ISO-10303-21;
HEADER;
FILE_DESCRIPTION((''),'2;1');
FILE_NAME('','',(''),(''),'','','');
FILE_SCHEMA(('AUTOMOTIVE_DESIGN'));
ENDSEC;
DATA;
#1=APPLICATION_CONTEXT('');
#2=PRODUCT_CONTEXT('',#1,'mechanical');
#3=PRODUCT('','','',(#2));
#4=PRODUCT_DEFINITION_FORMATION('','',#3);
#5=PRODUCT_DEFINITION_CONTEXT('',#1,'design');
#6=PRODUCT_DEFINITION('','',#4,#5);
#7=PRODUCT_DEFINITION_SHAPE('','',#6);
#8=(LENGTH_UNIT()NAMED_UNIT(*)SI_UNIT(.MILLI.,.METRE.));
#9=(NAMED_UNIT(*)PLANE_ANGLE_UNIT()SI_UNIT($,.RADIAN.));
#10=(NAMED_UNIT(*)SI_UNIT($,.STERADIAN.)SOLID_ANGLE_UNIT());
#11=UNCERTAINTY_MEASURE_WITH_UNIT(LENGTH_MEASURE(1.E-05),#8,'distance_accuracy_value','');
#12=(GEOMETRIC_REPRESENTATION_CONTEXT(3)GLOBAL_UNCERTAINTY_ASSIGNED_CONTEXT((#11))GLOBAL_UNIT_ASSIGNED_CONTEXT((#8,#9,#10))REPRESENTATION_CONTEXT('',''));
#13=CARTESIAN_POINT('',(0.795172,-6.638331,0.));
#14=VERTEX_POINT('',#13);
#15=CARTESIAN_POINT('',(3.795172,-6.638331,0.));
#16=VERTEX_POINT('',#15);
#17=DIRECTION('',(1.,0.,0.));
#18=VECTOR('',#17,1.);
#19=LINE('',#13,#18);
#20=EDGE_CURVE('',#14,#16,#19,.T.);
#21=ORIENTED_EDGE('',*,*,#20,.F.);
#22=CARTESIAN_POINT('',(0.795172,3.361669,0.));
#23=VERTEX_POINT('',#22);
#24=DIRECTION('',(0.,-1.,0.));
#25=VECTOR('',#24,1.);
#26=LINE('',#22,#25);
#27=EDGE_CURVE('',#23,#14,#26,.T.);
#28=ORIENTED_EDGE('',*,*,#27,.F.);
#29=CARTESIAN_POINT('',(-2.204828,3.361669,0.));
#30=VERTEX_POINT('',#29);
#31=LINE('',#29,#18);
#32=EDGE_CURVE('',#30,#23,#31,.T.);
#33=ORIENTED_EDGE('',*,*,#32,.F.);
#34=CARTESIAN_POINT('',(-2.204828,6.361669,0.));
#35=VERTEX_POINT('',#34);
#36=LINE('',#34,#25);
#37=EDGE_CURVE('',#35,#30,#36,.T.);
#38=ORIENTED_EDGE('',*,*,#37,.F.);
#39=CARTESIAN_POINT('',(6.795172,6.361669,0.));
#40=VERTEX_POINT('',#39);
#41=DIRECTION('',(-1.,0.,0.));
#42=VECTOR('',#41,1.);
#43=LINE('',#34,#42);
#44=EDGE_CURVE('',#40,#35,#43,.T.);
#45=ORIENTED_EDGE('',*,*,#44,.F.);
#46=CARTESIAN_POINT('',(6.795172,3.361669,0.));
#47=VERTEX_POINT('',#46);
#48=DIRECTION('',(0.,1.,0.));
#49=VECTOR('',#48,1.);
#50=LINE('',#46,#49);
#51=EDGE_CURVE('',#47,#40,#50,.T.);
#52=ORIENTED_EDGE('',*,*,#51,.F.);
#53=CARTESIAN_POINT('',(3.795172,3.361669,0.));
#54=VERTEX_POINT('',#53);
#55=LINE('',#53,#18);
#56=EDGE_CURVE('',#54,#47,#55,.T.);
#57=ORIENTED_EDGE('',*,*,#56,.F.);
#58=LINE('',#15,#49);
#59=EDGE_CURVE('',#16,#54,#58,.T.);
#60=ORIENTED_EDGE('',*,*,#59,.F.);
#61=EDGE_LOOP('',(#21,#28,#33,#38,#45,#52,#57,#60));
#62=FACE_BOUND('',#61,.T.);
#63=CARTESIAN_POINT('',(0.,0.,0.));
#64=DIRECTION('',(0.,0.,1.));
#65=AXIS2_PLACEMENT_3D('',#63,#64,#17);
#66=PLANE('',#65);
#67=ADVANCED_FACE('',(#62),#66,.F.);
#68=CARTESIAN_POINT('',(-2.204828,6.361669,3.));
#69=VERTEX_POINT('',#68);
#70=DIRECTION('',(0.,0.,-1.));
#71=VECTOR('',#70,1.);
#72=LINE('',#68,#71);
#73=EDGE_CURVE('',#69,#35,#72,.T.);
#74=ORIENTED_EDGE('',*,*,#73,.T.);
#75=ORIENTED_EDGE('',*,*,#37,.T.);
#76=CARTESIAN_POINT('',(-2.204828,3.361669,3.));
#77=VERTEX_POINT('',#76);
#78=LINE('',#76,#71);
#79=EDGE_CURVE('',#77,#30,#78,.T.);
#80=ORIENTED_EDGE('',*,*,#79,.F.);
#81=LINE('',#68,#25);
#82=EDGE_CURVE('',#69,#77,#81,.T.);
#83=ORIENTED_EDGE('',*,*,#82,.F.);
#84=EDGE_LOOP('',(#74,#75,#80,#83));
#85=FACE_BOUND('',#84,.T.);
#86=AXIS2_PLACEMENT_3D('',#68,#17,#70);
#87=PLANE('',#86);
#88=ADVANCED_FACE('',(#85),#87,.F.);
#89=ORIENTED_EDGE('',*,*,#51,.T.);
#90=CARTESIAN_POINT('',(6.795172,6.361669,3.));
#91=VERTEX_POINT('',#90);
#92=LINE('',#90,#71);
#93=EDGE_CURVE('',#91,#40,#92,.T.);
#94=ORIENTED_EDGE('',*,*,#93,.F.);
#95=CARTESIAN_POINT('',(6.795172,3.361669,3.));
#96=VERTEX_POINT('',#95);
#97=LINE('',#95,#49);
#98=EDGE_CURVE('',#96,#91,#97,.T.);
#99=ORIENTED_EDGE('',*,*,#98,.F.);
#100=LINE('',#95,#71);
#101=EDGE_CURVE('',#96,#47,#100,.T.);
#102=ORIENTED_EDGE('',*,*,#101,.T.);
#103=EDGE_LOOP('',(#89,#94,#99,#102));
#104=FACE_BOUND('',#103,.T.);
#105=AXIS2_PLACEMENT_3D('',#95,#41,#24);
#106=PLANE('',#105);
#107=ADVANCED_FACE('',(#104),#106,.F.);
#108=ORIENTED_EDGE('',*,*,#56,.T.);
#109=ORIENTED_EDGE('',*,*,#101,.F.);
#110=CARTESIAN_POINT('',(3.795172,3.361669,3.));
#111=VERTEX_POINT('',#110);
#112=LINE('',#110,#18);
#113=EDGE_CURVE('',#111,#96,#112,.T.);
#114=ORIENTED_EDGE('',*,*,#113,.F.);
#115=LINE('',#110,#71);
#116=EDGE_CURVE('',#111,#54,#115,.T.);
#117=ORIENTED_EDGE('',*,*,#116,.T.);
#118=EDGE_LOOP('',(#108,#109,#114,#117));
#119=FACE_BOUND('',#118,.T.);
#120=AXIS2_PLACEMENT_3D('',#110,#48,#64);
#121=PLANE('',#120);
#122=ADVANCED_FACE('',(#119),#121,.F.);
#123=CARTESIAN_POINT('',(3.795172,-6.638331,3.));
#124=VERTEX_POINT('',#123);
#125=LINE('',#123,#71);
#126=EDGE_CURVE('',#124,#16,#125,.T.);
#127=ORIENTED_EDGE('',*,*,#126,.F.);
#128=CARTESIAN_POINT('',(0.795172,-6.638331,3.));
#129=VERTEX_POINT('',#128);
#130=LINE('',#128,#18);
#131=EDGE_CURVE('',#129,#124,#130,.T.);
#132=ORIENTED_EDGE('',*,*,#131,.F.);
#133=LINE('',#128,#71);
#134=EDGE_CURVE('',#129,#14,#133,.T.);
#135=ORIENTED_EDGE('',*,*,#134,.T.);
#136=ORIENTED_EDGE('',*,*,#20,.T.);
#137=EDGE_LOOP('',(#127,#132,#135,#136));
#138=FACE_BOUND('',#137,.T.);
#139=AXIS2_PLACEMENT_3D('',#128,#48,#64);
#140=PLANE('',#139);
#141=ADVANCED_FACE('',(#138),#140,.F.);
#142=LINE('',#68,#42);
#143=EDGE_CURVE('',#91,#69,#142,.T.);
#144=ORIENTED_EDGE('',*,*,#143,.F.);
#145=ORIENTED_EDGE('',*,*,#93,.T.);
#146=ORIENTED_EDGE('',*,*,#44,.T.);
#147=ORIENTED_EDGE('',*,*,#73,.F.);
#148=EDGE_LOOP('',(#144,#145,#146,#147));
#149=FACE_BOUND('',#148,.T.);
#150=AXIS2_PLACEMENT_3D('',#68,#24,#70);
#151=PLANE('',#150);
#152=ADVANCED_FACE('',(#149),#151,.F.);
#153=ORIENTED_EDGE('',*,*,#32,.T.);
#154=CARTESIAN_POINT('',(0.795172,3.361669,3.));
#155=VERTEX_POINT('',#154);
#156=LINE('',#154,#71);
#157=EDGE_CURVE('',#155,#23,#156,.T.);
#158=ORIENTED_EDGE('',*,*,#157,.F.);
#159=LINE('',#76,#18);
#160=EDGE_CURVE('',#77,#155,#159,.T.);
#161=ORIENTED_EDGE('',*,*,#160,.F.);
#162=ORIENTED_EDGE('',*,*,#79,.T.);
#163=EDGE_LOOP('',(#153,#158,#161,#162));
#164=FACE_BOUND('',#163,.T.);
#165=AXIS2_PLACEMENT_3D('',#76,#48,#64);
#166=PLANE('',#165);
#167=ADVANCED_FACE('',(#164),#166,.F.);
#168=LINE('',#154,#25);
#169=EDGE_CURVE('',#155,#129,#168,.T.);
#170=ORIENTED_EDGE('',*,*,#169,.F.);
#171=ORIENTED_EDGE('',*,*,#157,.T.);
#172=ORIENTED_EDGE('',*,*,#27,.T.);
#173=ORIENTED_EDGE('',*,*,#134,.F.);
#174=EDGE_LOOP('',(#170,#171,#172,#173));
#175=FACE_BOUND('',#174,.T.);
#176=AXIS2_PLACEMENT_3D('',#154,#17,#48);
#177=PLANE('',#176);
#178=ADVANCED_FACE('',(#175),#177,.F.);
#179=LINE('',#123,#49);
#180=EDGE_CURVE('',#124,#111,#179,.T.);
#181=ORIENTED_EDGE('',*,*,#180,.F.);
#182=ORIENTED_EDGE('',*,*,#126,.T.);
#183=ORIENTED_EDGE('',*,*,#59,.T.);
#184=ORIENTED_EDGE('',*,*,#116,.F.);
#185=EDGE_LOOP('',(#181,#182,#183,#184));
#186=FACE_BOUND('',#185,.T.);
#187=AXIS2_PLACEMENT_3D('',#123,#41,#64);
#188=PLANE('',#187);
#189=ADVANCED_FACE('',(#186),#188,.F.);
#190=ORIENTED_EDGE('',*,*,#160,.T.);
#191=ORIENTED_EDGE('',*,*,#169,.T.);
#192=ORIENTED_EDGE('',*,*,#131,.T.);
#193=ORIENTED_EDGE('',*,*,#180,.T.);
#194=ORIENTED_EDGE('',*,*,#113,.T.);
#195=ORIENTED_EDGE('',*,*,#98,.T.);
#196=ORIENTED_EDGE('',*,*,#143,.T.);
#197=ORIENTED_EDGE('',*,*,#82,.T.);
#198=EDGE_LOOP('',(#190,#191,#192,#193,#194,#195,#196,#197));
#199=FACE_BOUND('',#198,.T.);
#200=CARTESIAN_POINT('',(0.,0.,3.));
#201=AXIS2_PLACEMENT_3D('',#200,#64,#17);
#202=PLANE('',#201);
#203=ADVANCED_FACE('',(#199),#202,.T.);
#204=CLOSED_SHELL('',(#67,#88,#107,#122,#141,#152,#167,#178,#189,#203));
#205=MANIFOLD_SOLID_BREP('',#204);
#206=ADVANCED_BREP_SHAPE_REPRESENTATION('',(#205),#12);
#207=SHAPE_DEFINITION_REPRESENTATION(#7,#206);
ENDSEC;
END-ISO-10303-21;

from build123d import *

# Parameters (mm, degrees)
BOSS_EXTRUDE1_DEPTH = 3


with BuildPart() as part:
    # Sketch1 → Boss-Extrude1 (new body)
    with BuildSketch(Plane.XY):
        Polygon((-2.20482831, 6.361669004), (-2.20482831, 3.361669004), (0.79517169, 3.361669004), (0.79517169, -6.638330996), (3.79517169, -6.638330996), (3.79517169, 3.361669004), (6.79517169, 3.361669004), (6.79517169, 6.361669004), align=None)
    extrude(amount=BOSS_EXTRUDE1_DEPTH)


solid = part.part
